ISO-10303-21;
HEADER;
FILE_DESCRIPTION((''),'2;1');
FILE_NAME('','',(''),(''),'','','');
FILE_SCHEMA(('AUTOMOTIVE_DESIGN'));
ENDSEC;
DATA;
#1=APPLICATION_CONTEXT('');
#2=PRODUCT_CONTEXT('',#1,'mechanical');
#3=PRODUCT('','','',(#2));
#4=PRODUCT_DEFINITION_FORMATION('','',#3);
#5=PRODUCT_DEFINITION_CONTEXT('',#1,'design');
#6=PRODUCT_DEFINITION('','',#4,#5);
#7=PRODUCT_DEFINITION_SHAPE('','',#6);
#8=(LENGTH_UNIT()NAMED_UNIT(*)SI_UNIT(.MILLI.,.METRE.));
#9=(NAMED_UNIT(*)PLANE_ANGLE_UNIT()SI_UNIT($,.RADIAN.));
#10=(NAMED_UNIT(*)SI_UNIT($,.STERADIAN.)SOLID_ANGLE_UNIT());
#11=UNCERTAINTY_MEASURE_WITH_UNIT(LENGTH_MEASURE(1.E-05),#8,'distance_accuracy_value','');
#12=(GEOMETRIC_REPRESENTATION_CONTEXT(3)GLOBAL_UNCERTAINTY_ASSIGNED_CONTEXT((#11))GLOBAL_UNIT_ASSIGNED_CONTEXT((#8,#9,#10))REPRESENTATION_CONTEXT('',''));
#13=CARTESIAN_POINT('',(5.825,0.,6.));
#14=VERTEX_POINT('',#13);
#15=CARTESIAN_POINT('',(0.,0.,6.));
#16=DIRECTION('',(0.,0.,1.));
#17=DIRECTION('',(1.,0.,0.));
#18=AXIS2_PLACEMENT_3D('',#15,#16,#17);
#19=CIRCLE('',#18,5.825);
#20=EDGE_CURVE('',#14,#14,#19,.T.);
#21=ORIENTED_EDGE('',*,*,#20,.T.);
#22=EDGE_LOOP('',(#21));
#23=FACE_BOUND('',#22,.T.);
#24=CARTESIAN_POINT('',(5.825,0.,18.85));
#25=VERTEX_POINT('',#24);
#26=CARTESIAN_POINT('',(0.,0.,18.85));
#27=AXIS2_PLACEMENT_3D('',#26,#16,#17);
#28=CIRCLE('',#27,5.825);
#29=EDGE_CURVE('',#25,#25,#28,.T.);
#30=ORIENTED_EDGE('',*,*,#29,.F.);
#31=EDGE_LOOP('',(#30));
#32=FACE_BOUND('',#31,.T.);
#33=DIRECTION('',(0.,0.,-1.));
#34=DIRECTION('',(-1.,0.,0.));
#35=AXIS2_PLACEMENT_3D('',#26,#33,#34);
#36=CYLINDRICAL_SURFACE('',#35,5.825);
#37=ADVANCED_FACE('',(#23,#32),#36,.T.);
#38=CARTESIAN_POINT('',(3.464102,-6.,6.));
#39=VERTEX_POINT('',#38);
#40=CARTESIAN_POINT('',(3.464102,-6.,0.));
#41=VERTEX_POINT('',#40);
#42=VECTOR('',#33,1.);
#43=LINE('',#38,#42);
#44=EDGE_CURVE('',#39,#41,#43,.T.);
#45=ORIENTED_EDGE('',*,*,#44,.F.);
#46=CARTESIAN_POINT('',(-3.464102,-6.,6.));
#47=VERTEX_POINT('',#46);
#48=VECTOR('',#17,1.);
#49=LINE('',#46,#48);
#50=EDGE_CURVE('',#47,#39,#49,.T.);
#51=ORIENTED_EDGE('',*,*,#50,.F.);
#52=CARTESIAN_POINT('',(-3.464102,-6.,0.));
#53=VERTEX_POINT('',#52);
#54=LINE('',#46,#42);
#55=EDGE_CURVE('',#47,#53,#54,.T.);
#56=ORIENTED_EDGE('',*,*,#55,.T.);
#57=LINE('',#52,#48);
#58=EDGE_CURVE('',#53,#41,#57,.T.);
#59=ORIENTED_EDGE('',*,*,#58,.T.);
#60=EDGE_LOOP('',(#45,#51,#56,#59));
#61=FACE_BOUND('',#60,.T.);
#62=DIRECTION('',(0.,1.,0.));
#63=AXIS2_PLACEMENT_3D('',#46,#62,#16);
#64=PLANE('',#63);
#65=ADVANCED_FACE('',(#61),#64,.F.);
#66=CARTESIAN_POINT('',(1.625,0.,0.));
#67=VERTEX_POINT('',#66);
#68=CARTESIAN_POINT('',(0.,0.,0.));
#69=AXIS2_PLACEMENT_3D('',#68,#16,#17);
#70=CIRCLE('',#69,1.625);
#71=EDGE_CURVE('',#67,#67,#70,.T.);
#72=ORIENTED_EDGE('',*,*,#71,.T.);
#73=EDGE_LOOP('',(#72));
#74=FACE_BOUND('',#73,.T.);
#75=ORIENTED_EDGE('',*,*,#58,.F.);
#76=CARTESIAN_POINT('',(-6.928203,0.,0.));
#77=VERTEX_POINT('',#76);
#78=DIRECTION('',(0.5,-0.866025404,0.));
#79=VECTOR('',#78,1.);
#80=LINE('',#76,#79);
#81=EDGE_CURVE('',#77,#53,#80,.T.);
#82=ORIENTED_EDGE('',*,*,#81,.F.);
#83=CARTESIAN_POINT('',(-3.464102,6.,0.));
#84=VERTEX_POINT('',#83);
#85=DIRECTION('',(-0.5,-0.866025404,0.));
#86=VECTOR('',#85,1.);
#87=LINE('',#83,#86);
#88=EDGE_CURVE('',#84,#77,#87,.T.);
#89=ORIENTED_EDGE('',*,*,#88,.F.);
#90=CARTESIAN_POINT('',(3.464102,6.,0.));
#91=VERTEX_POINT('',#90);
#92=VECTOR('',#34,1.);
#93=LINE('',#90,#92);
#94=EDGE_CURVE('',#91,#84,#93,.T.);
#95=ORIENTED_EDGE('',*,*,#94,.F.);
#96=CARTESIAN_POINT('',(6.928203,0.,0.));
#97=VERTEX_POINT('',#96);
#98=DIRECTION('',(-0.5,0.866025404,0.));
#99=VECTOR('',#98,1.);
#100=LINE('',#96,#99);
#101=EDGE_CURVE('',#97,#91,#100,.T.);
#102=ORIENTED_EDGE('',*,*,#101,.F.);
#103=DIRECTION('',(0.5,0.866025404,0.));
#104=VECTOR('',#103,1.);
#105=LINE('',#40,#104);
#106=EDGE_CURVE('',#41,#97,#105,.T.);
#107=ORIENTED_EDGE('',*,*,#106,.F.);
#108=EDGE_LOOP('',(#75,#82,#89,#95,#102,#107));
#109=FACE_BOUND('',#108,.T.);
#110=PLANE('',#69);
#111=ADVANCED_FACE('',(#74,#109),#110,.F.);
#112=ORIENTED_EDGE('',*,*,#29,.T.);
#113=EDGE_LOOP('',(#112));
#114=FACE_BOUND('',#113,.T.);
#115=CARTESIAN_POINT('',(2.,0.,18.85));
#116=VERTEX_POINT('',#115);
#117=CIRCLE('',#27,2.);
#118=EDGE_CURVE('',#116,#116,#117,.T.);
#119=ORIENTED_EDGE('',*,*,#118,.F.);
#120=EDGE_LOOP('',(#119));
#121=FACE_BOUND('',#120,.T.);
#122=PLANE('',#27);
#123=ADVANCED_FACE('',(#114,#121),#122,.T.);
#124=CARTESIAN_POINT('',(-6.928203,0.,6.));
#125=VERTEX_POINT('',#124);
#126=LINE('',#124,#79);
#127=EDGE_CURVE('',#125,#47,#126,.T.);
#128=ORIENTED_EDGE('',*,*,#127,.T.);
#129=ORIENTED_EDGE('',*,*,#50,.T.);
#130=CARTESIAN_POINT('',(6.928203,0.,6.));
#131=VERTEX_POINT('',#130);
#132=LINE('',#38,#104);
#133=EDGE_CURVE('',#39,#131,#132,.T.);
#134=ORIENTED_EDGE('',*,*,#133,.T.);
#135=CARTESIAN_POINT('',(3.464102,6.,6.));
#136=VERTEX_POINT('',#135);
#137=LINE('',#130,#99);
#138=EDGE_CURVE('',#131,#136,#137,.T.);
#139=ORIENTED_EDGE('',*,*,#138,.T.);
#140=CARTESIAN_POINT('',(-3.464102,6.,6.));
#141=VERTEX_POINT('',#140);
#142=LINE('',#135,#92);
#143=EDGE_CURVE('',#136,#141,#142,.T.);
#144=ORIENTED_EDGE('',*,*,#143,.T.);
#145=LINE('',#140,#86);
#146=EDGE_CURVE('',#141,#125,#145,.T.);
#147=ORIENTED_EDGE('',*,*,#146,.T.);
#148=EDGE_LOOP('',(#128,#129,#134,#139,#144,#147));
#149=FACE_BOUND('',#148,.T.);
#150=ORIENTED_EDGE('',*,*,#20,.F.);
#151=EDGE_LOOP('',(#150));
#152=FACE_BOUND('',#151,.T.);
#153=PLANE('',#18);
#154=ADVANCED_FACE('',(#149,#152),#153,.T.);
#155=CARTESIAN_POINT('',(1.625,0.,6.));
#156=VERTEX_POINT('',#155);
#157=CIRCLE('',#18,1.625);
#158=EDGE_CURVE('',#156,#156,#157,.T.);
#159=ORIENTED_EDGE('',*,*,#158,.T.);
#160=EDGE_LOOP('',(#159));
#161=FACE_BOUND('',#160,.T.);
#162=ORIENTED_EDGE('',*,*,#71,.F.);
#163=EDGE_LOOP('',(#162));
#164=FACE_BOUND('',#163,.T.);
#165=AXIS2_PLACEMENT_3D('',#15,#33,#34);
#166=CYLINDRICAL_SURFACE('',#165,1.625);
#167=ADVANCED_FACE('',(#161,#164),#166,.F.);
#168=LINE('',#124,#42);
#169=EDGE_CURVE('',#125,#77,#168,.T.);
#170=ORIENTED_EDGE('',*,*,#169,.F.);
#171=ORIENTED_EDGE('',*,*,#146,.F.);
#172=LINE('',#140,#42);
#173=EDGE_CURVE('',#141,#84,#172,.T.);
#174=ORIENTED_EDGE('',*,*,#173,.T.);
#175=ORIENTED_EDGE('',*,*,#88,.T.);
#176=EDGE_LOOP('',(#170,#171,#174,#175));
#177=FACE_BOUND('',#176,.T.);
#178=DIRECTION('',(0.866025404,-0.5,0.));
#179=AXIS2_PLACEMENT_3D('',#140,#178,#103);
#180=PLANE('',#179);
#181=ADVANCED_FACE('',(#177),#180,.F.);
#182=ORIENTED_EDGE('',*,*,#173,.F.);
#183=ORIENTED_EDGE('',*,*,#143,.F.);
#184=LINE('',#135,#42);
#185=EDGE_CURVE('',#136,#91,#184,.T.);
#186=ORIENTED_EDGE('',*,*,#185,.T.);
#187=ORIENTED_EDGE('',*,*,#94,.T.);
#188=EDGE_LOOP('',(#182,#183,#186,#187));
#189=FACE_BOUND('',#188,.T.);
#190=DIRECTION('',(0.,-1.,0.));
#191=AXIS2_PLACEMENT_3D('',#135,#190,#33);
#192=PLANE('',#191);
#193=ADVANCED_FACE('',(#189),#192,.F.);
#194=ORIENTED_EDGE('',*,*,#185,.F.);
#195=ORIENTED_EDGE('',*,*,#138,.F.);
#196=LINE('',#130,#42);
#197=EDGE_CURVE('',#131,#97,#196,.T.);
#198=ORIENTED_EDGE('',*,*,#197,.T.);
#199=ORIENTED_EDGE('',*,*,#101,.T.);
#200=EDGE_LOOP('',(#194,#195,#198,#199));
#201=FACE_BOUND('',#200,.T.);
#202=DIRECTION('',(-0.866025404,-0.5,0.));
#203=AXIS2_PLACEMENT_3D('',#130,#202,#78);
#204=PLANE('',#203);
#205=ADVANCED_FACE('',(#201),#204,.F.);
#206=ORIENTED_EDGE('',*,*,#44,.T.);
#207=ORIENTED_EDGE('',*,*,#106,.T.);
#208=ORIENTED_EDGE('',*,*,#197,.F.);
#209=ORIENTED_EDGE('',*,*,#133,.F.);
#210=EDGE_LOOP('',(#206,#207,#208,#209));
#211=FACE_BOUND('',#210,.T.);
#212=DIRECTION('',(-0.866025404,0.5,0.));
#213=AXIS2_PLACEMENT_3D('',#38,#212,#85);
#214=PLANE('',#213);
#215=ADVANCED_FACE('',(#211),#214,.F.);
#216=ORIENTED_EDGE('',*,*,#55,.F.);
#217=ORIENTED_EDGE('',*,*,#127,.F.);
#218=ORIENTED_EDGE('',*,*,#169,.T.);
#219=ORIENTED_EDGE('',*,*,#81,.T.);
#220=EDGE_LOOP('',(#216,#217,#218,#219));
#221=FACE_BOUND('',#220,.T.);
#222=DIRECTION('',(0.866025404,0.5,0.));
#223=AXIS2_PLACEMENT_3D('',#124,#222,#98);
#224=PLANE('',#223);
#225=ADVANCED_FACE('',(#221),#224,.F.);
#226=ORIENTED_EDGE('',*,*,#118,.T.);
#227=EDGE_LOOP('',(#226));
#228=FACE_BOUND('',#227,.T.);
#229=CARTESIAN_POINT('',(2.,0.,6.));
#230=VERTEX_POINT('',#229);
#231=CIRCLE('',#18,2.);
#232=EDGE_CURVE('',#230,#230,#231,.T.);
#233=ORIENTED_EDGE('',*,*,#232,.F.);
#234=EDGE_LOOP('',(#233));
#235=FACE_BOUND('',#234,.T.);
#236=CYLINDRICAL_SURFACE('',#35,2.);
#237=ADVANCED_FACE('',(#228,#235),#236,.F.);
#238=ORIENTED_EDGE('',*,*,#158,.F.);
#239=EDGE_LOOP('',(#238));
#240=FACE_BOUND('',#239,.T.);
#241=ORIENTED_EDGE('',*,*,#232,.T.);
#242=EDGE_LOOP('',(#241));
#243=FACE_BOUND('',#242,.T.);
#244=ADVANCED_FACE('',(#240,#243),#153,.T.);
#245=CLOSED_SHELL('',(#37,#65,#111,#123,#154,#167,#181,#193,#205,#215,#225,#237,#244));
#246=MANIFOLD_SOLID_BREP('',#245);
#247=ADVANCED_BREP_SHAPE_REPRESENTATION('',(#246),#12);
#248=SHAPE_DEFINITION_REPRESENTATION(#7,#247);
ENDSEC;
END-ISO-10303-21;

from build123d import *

# Parameters (mm, degrees)
SKETCH1_R           = 1.625
BOSS_EXTRUDE1_DEPTH = 6
SKETCH2_R           = 5.825
SKETCH2_R_2         = 2
BOSS_EXTRUDE2_DEPTH = 12.85


with BuildPart() as part:
    # Sketch1 → Boss-Extrude1 (new body)
    with BuildSketch(Plane.XY):
        Polygon((6.92820323, 0), (3.464101615, 6), (-3.464101615, 6), (-6.92820323, 0), (-3.464101615, -6), (3.464101615, -6), align=None)
        Circle(SKETCH1_R, mode=Mode.SUBTRACT)
    extrude(amount=BOSS_EXTRUDE1_DEPTH)

    # Sketch2 → Boss-Extrude2 (add)
    with BuildSketch(Plane.XY.offset(6)):
        Circle(SKETCH2_R)
        Circle(SKETCH2_R_2, mode=Mode.SUBTRACT)
    extrude(amount=BOSS_EXTRUDE2_DEPTH)


solid = part.part
